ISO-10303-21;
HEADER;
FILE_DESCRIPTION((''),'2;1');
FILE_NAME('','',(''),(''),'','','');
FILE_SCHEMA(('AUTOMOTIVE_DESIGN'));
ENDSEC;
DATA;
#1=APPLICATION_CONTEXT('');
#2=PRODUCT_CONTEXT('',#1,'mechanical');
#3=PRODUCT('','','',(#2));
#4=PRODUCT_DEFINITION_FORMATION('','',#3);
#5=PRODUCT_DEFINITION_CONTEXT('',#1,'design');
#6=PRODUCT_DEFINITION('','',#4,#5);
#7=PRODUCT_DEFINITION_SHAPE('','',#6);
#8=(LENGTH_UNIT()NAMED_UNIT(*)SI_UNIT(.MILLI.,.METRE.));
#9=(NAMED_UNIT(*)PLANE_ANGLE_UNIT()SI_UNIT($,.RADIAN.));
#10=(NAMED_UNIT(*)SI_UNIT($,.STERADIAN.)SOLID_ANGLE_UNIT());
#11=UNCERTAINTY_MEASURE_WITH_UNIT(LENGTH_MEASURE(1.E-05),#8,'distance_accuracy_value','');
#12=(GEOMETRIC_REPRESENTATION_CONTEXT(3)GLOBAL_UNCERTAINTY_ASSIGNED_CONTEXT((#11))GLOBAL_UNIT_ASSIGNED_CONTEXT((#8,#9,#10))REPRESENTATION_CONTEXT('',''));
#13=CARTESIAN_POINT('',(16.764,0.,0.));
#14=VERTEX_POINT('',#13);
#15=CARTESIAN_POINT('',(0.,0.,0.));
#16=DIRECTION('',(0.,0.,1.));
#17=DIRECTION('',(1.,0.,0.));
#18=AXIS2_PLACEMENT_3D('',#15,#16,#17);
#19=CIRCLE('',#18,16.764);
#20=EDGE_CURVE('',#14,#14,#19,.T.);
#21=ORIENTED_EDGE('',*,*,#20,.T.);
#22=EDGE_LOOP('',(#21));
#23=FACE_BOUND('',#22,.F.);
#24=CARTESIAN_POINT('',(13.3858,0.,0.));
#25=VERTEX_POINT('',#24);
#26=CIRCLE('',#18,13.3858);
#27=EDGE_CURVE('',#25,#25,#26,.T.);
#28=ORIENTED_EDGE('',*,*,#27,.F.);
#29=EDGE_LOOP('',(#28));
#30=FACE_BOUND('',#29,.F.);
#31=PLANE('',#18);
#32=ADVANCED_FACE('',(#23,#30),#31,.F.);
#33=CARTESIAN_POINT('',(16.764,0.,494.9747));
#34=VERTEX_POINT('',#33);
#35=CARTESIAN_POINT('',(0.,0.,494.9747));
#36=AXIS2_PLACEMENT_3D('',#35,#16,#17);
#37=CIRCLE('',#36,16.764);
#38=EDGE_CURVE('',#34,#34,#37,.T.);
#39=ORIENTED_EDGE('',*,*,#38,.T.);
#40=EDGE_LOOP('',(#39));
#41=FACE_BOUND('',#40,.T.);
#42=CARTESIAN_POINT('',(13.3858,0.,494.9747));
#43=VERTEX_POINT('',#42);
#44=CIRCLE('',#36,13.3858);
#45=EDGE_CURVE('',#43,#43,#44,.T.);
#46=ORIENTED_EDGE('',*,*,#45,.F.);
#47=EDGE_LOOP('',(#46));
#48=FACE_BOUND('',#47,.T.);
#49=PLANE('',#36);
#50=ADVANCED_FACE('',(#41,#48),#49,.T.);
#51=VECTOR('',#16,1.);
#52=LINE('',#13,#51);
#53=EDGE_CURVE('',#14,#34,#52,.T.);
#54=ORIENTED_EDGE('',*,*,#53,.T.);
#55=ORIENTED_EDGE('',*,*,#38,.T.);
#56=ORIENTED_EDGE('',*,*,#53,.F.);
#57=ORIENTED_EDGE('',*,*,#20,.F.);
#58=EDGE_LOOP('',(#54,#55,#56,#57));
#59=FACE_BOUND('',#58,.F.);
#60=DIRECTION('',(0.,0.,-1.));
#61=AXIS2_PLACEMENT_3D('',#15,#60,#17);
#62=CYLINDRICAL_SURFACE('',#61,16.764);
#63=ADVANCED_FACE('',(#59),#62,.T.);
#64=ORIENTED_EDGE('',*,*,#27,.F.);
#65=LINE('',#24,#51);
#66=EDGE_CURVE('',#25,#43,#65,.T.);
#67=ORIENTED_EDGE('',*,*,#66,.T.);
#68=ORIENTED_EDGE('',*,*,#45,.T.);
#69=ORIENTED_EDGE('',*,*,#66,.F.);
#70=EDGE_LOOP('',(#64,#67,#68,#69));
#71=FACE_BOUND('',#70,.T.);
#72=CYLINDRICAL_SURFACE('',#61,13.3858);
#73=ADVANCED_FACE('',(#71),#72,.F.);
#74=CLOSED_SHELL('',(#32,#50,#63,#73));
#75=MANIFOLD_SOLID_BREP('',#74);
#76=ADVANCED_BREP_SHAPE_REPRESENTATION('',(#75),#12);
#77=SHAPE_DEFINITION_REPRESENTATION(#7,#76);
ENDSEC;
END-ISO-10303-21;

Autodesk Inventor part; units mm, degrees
ref_plane "YZ Plane" through (0, 0, 0) normal (1, 0, 0) x (0, 1, 0)
ref_plane "Start plane" through (0, 0, 0) normal (0, 0, 1) x (1, 0, 0)
ref_plane "End plane" through (0, 0, 494.9747) normal (0, 0, 1) x (1, 0, 0)
sketch "Sketch" plane through (0, 0, 0) normal (0, 0, 1) x (1, 0, 0)
  circle A0 centre (0, 0) radius 13.3858
  circle A1 centre (0, 0) radius 16.764
  dimension "d0" = 33.528
  dimension "d1" = 3.3782
extrude "Body" add sketch "Sketch" along normal up to surface (494.9747 mm away) from surface at 0
sketch "Sketch3" plane through (0, 0, 0) normal (0, 0, 1) x (1, 0, 0)
  line L0 (0, 0) -> (10, 0)
ref_plane "Work Plane3" through (0, 0, 0) normal (0, -1, 0) x (1, 0, 0)
sketch "Sketch4" plane through (0, 0, 0) normal (0, -1, 0) x (1, 0, 0)
  line L0 (-2, 0) -> (12, 0) projected
  line L1 (-2, 494.9747) -> (12, 494.9747) projected
  dimension "d7" = 494.9747
equation "\"d0\" = G_H"
equation "\"d1\" = G_T"
equation "\"d2\" = G_L"
equation "\"G_H\" = 33.528"
equation "\"G_T\" = 3.3782"
equation "\"G_L\" = d7"
equation "\"G_OFFSET_START\" = 0"
equation "\"G_OFFSET_END\" = 0"
equation "\"d5\" = G_OFFSET_END + B_L"
equation "\"B_L\" = 494.97475"
properties part number "ANSI - 1 x 0.133 - 19.487" material "Steel, Mild"
